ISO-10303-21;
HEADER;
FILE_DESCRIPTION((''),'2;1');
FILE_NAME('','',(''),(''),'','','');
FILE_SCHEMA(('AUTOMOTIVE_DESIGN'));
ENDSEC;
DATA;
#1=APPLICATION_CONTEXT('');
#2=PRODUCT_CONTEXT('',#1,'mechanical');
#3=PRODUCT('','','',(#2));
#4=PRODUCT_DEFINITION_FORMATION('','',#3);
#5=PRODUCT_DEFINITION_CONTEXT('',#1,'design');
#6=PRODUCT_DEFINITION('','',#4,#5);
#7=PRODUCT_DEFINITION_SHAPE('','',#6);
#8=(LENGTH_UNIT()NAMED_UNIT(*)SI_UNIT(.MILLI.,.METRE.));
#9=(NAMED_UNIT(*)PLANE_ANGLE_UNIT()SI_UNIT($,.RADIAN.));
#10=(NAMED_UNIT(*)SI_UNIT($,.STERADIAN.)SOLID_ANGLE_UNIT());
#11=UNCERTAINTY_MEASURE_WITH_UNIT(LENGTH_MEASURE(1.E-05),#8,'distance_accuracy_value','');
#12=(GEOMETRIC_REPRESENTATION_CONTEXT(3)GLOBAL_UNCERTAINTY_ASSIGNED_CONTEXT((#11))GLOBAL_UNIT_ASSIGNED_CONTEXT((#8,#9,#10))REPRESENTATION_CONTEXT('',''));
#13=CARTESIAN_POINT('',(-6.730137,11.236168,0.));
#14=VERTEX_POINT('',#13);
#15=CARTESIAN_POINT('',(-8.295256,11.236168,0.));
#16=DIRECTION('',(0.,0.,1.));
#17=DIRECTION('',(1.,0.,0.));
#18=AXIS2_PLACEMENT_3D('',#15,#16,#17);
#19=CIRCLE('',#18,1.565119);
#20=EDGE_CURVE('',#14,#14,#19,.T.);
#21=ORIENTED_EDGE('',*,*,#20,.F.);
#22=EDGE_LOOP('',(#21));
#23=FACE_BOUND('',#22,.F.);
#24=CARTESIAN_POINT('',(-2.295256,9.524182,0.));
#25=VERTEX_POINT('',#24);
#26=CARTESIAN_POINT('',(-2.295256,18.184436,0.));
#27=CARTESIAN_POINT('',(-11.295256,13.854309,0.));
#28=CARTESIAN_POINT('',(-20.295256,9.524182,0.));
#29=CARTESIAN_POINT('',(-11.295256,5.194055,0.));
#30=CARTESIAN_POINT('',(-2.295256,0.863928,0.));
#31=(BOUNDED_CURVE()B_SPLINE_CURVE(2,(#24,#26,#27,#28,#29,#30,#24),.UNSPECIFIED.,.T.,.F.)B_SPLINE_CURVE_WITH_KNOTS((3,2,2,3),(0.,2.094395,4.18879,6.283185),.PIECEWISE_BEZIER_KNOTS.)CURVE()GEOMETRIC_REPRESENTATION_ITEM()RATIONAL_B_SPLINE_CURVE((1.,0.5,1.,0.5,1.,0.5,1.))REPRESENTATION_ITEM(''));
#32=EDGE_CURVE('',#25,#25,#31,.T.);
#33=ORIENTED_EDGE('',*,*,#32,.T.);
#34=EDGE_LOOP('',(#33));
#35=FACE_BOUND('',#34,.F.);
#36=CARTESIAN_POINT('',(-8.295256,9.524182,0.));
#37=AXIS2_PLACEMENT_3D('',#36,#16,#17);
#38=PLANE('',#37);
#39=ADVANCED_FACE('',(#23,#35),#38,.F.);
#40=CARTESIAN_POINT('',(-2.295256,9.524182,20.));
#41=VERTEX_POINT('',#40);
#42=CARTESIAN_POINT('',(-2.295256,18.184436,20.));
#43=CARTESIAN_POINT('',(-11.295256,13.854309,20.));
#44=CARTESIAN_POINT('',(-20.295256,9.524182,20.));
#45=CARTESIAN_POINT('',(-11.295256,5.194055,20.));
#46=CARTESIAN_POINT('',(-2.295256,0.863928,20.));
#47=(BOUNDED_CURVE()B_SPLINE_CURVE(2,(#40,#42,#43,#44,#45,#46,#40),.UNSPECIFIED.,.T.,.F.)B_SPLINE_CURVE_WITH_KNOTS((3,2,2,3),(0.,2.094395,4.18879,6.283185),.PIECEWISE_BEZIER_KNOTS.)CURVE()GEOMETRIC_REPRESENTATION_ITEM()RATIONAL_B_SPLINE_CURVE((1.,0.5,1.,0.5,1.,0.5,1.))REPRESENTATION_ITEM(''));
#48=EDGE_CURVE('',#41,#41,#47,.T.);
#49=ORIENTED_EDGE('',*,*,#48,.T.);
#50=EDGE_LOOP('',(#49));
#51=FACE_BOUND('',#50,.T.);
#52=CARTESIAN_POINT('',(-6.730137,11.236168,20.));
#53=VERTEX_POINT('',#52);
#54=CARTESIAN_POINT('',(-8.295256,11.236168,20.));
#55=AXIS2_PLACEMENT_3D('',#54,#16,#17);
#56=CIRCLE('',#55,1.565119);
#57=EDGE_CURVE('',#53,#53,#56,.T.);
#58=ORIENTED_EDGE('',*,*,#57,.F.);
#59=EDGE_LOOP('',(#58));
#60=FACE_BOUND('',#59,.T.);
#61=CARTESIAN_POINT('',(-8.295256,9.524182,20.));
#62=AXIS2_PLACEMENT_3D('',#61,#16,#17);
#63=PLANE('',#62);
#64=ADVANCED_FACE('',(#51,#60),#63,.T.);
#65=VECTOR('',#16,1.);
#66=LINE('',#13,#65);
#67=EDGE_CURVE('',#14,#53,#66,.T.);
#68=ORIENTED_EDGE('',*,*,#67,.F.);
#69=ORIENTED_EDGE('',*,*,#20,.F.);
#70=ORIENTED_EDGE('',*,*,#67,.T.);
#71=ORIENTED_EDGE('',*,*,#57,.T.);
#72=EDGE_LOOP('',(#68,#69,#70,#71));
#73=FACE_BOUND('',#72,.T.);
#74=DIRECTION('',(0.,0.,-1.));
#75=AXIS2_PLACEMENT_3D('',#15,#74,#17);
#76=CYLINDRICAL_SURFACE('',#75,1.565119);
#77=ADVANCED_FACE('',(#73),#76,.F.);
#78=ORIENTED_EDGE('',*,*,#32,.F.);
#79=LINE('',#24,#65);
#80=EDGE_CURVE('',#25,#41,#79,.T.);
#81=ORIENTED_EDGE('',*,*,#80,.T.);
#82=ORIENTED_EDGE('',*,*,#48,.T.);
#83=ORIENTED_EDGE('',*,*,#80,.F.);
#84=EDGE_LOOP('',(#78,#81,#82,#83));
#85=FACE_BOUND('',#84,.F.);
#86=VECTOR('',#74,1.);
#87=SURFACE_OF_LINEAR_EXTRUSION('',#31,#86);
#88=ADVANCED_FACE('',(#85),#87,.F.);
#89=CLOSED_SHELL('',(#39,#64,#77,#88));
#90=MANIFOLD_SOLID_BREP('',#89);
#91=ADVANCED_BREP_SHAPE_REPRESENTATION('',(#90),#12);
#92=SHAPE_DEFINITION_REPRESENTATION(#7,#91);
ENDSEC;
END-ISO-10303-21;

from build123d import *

# Parameters (mm, degrees)
F0_R     = 1.565119
F1_DEPTH = 20


with BuildPart() as f1:
    # F0 (on Top) → F1 (new body)
    with BuildSketch(Plane.XY):
        with BuildLine():
            add(Edge.make_bspline(
                [(-2.295256, 9.524182), (-2.295256, 18.184436), (-11.295256, 13.854309), (-20.295256, 9.524182), (-11.295256, 5.194055), (-2.295256, 0.863928), (-2.295256, 9.524182)],
                knots=[0, 0, 0, 2.094395, 2.094395, 4.18879, 4.18879, 6.283185, 6.283185, 6.283185], degree=2, weights=[1, 0.5, 1, 0.5, 1, 0.5, 1]))
        make_face()
        with Locations((-8.295256, 11.236168)):
            Circle(F0_R, mode=Mode.SUBTRACT)
    extrude(amount=F1_DEPTH)


solid = f1.part
